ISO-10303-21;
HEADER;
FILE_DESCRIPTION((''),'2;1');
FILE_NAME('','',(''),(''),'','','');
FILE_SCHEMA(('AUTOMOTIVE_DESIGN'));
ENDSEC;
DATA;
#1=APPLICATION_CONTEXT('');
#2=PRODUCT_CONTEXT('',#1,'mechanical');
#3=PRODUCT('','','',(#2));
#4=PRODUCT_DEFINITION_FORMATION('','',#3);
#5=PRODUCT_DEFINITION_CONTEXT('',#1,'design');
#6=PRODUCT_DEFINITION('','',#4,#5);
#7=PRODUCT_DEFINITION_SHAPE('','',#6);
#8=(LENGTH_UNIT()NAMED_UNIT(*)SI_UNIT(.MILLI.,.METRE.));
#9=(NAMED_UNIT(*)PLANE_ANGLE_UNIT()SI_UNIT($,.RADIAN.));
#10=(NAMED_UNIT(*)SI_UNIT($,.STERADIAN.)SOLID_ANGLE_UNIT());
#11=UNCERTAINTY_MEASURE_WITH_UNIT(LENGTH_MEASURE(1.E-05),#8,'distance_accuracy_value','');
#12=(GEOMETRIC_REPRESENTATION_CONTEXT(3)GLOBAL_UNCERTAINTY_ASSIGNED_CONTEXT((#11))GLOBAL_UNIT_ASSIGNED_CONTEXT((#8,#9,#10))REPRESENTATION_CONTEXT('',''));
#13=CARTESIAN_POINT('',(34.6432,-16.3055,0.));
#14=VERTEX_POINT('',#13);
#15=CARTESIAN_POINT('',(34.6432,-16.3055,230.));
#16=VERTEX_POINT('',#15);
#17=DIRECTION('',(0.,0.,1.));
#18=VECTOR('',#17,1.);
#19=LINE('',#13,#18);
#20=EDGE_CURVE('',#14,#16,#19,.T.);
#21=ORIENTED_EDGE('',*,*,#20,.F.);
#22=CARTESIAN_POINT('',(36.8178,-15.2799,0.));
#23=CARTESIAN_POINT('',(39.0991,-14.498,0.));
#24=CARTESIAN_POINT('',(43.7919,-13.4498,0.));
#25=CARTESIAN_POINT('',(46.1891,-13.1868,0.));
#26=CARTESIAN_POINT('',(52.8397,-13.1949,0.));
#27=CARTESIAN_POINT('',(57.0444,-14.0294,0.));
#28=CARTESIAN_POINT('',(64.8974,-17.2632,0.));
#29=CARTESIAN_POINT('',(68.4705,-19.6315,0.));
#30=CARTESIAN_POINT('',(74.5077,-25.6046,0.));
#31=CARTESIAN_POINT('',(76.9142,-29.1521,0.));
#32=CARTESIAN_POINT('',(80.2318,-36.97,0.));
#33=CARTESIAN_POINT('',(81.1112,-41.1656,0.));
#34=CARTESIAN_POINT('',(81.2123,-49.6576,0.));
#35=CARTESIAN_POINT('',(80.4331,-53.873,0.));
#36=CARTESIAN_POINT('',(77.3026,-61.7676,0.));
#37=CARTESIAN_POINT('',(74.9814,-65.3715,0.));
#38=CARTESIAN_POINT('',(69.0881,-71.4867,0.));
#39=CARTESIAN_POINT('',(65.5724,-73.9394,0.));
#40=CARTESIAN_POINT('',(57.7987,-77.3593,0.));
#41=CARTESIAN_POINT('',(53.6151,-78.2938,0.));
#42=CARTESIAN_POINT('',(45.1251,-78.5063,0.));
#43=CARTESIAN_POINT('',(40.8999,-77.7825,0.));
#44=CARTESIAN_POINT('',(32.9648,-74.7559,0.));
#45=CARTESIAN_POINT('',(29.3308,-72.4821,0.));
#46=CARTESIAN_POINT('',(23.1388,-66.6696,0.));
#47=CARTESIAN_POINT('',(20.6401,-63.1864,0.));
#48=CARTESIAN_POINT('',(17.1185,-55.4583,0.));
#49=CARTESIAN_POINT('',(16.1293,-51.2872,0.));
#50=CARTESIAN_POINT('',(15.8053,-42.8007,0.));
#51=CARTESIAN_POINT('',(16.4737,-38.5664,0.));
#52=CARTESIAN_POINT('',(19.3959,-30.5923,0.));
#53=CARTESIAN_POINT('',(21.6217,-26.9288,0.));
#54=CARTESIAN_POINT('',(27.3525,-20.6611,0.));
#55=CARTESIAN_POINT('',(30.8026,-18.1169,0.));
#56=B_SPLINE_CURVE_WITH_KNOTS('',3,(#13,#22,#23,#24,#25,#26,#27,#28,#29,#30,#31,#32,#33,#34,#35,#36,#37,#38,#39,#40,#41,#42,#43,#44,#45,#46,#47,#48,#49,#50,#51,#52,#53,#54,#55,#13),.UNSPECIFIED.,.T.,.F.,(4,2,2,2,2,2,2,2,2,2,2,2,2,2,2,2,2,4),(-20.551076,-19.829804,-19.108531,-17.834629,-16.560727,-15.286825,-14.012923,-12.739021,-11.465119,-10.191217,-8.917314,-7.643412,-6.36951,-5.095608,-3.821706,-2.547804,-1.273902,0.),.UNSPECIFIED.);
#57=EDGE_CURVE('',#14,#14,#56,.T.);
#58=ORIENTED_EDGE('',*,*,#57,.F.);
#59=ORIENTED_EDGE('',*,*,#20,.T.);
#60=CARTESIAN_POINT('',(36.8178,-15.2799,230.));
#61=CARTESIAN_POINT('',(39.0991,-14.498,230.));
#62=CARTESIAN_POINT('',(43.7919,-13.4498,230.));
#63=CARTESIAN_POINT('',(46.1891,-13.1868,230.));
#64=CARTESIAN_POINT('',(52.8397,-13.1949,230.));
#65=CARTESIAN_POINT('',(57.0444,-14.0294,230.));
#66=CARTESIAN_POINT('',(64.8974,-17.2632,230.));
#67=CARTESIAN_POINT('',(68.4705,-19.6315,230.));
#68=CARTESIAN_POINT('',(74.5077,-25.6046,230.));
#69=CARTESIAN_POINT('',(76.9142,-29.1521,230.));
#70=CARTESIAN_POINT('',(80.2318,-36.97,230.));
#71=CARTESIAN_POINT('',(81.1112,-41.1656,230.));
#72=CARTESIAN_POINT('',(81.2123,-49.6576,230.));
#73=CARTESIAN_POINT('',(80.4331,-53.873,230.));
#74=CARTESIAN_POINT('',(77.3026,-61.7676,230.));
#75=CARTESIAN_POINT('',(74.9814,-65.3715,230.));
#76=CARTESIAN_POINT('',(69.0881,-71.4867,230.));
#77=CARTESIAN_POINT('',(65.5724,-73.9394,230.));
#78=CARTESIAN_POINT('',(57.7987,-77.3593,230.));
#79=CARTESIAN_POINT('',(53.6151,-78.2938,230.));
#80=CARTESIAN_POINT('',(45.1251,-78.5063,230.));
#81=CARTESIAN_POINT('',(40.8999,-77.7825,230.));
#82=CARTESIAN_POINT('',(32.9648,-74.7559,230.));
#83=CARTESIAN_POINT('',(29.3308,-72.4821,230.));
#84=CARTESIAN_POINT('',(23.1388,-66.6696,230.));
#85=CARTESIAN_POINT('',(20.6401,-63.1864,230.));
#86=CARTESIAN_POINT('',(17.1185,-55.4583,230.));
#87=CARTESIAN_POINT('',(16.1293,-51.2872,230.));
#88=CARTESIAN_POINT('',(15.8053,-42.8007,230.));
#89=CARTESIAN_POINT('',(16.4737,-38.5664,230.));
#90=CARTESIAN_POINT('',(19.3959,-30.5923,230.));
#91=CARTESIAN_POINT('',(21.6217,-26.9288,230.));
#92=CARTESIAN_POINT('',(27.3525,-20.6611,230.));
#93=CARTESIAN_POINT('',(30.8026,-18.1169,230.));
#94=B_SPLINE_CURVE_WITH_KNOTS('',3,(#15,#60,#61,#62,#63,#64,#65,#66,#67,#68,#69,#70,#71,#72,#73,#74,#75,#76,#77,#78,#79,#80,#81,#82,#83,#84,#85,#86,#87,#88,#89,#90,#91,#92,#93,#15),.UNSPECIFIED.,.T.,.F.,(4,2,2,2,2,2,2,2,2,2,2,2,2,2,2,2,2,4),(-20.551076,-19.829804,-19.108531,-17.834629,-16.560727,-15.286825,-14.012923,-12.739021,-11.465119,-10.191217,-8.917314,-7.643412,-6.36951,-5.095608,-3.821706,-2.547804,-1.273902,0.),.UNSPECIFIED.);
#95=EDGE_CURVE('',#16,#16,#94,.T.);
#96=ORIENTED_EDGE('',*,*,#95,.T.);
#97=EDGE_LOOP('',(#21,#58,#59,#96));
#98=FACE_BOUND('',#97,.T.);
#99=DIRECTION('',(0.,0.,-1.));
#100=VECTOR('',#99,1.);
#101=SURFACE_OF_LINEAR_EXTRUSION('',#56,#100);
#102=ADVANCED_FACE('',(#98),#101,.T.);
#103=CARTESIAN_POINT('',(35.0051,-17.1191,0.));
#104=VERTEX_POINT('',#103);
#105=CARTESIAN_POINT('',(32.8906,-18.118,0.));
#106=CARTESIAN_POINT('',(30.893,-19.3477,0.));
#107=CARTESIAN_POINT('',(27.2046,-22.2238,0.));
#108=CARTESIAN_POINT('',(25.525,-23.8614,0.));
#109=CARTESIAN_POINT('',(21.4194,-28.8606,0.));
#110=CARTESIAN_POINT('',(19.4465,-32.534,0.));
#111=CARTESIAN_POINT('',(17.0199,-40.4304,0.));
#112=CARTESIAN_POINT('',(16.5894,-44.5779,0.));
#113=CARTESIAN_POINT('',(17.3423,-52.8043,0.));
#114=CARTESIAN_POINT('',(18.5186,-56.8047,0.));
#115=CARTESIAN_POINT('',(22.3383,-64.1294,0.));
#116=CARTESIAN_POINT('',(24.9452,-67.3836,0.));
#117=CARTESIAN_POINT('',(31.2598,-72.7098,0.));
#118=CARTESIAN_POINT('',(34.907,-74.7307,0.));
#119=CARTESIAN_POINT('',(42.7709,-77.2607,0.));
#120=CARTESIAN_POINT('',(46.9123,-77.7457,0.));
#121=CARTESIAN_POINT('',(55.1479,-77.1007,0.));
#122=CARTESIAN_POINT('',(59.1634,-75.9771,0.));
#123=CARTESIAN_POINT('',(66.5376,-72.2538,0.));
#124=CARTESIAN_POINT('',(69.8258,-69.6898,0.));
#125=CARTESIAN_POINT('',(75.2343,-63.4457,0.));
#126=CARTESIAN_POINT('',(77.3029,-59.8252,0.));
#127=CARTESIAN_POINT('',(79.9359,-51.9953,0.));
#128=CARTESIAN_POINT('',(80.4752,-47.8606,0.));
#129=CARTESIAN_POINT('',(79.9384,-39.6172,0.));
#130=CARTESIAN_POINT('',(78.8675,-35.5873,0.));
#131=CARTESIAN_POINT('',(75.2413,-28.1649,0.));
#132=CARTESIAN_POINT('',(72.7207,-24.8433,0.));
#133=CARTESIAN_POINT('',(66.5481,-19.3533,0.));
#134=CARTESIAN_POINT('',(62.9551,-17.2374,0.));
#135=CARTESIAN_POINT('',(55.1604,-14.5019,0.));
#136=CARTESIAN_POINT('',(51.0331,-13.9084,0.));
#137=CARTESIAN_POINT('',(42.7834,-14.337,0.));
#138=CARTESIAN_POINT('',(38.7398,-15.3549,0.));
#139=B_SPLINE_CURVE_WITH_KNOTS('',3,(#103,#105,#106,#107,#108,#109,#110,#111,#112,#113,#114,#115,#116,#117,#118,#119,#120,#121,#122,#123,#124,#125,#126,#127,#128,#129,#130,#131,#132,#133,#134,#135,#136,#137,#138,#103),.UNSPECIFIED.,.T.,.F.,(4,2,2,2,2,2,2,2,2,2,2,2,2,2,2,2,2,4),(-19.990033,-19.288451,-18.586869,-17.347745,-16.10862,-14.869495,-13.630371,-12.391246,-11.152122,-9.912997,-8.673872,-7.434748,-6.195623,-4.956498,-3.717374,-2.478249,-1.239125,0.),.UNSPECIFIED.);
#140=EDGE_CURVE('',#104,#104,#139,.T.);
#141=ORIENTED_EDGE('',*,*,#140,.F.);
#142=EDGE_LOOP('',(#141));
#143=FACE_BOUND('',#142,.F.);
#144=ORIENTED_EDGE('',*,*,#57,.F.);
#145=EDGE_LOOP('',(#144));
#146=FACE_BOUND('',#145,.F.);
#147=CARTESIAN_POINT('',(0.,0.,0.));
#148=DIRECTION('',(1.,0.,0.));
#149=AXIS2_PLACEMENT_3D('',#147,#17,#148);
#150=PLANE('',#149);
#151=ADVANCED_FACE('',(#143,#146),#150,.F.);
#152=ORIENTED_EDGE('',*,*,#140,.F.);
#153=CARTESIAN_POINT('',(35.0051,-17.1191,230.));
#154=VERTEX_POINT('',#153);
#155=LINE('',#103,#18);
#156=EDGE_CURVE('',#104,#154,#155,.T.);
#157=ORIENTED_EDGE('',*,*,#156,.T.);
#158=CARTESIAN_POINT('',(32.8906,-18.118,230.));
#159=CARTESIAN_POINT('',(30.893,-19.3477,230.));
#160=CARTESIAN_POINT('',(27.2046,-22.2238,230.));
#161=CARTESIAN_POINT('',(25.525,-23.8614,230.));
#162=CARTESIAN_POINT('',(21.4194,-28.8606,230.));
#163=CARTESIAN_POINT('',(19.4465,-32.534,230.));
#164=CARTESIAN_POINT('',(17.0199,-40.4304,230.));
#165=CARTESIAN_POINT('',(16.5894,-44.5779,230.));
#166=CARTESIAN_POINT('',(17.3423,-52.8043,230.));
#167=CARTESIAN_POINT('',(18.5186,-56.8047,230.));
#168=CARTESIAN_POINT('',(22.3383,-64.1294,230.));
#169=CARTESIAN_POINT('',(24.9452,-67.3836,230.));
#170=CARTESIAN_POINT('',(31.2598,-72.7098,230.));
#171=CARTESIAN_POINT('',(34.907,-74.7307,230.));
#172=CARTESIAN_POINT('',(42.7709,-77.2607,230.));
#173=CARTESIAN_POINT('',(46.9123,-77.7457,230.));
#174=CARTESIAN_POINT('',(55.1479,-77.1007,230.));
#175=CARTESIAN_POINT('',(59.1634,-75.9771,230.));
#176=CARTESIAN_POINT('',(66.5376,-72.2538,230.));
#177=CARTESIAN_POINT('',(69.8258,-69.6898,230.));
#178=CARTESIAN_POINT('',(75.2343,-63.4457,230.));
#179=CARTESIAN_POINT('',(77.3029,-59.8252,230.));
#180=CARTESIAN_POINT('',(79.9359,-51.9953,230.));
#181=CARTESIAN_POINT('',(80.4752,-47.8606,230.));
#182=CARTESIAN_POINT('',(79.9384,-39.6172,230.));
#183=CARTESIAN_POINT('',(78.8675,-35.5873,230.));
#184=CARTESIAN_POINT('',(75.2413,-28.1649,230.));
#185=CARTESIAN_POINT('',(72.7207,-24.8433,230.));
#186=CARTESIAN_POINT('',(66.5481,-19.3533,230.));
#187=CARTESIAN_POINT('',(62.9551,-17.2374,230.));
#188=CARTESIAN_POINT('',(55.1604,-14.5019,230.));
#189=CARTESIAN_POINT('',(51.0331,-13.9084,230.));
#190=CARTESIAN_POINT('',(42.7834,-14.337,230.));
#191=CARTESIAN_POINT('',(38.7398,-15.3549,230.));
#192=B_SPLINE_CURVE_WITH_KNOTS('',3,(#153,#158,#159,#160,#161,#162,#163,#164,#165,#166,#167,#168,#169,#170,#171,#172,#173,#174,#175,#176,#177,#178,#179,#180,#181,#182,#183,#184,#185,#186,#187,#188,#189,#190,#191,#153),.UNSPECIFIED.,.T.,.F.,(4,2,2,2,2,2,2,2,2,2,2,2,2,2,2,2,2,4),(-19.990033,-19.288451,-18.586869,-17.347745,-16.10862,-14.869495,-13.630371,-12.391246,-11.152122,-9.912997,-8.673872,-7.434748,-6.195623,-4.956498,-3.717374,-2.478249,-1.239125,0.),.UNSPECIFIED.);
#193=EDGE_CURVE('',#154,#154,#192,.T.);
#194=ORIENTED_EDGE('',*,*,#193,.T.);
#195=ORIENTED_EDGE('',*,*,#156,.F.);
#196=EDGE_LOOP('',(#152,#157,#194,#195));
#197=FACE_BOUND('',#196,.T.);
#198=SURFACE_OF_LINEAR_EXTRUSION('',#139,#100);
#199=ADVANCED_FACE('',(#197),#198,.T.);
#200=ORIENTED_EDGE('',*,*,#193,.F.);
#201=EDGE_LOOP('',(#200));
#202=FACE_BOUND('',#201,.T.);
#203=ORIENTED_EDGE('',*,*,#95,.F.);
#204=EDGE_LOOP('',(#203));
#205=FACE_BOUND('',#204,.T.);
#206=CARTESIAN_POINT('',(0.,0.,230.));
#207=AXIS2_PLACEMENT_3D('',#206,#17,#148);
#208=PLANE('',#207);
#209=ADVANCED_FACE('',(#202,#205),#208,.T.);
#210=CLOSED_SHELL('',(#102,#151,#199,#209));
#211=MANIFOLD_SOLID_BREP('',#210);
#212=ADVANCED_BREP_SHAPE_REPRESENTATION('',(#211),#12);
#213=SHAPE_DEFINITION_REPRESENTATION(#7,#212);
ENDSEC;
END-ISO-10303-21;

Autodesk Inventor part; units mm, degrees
ref_plane "YZ Plane" through (0, 0, 0) normal (1, 0, 0) x (0, 1, 0)
ref_plane "XZ Plane" through (0, 0, 0) normal (0, 1, 0) x (-1, 0, 0)
ref_plane "XY Plane" through (0, 0, 0) normal (0, 0, 1) x (1, 0, 0)
ref_plane "Work Plane1" through (0, 0, 0) normal (0, 0, 1) x (1, 0, 0)
sketch "Sketch1" plane through (0, 0, 0) normal (0, 0, 1) x (1, 0, 0)
  spline S0 degree 3 poles (35.0051, -17.1191) (32.8906, -18.118) (30.893, -19.3477) (27.2046, -22.2238) (25.525, -23.8614) (21.4194, -28.8606) (19.4465, -32.534) (17.0199, -40.4304) (16.5894, -44.5779) (17.3423, -52.8043) (18.5186, -56.8047) (22.3383, -64.1294) (24.9452, -67.3836) (31.2598, -72.7098) (34.907, -74.7307) (42.7709, -77.2607) (46.9123, -77.7457) (55.1479, -77.1007) (59.1634, -75.9771) (66.5376, -72.2538) (69.8258, -69.6898) (75.2343, -63.4457) (77.3029, -59.8252) (79.9359, -51.9953) (80.4752, -47.8606) (79.9384, -39.6172) (78.8675, -35.5873) (75.2413, -28.1649) (72.7207, -24.8433) (66.5481, -19.3533) (62.9551, -17.2374) (55.1604, -14.5019) (51.0331, -13.9084) (42.7834, -14.337) (38.7398, -15.3549) (35.0051, -17.1191) knots -19.990033 -19.990033 -19.990033 -19.990033 -19.288451 -19.288451 -18.586869 -18.586869 -17.347745 -17.347745 -16.10862 -16.10862 -14.869495 -14.869495 -13.630371 -13.630371 -12.391246 -12.391246 -11.152122 -11.152122 -9.912997 -9.912997 -8.673872 -8.673872 -7.434748 -7.434748 -6.195623 -6.195623 -4.956498 -4.956498 -3.717374 -3.717374 -2.478249 -2.478249 -1.239125 -1.239125 0 0 0 0 projected
  spline S1 degree 3 poles (34.6432, -16.3055) (36.8178, -15.2799) (39.0991, -14.498) (43.7919, -13.4498) (46.1891, -13.1868) (52.8397, -13.1949) (57.0444, -14.0294) (64.8974, -17.2632) (68.4705, -19.6315) (74.5077, -25.6046) (76.9142, -29.1521) (80.2318, -36.97) (81.1112, -41.1656) (81.2123, -49.6576) (80.4331, -53.873) (77.3026, -61.7676) (74.9814, -65.3715) (69.0881, -71.4867) (65.5724, -73.9394) (57.7987, -77.3593) (53.6151, -78.2938) (45.1251, -78.5063) (40.8999, -77.7825) (32.9648, -74.7559) (29.3308, -72.4821) (23.1388, -66.6696) (20.6401, -63.1864) (17.1185, -55.4583) (16.1293, -51.2872) (15.8053, -42.8007) (16.4737, -38.5664) (19.3959, -30.5923) (21.6217, -26.9288) (27.3525, -20.6611) (30.8026, -18.1169) (34.6432, -16.3055) knots -20.551076 -20.551076 -20.551076 -20.551076 -19.829804 -19.829804 -19.108531 -19.108531 -17.834629 -17.834629 -16.560727 -16.560727 -15.286825 -15.286825 -14.012923 -14.012923 -12.739021 -12.739021 -11.465119 -11.465119 -10.191217 -10.191217 -8.917314 -8.917314 -7.643412 -7.643412 -6.36951 -6.36951 -5.095608 -5.095608 -3.821706 -3.821706 -2.547804 -2.547804 -1.273902 -1.273902 0 0 0 0 projected
  point P0 (0, 0)
  point P1 (35.0051, -17.1191)
  point P2 (34.6432, -16.3055)
extrude "Extrusion1" add sketch "Sketch1" along normal blind 230
properties part number "chuteback"
